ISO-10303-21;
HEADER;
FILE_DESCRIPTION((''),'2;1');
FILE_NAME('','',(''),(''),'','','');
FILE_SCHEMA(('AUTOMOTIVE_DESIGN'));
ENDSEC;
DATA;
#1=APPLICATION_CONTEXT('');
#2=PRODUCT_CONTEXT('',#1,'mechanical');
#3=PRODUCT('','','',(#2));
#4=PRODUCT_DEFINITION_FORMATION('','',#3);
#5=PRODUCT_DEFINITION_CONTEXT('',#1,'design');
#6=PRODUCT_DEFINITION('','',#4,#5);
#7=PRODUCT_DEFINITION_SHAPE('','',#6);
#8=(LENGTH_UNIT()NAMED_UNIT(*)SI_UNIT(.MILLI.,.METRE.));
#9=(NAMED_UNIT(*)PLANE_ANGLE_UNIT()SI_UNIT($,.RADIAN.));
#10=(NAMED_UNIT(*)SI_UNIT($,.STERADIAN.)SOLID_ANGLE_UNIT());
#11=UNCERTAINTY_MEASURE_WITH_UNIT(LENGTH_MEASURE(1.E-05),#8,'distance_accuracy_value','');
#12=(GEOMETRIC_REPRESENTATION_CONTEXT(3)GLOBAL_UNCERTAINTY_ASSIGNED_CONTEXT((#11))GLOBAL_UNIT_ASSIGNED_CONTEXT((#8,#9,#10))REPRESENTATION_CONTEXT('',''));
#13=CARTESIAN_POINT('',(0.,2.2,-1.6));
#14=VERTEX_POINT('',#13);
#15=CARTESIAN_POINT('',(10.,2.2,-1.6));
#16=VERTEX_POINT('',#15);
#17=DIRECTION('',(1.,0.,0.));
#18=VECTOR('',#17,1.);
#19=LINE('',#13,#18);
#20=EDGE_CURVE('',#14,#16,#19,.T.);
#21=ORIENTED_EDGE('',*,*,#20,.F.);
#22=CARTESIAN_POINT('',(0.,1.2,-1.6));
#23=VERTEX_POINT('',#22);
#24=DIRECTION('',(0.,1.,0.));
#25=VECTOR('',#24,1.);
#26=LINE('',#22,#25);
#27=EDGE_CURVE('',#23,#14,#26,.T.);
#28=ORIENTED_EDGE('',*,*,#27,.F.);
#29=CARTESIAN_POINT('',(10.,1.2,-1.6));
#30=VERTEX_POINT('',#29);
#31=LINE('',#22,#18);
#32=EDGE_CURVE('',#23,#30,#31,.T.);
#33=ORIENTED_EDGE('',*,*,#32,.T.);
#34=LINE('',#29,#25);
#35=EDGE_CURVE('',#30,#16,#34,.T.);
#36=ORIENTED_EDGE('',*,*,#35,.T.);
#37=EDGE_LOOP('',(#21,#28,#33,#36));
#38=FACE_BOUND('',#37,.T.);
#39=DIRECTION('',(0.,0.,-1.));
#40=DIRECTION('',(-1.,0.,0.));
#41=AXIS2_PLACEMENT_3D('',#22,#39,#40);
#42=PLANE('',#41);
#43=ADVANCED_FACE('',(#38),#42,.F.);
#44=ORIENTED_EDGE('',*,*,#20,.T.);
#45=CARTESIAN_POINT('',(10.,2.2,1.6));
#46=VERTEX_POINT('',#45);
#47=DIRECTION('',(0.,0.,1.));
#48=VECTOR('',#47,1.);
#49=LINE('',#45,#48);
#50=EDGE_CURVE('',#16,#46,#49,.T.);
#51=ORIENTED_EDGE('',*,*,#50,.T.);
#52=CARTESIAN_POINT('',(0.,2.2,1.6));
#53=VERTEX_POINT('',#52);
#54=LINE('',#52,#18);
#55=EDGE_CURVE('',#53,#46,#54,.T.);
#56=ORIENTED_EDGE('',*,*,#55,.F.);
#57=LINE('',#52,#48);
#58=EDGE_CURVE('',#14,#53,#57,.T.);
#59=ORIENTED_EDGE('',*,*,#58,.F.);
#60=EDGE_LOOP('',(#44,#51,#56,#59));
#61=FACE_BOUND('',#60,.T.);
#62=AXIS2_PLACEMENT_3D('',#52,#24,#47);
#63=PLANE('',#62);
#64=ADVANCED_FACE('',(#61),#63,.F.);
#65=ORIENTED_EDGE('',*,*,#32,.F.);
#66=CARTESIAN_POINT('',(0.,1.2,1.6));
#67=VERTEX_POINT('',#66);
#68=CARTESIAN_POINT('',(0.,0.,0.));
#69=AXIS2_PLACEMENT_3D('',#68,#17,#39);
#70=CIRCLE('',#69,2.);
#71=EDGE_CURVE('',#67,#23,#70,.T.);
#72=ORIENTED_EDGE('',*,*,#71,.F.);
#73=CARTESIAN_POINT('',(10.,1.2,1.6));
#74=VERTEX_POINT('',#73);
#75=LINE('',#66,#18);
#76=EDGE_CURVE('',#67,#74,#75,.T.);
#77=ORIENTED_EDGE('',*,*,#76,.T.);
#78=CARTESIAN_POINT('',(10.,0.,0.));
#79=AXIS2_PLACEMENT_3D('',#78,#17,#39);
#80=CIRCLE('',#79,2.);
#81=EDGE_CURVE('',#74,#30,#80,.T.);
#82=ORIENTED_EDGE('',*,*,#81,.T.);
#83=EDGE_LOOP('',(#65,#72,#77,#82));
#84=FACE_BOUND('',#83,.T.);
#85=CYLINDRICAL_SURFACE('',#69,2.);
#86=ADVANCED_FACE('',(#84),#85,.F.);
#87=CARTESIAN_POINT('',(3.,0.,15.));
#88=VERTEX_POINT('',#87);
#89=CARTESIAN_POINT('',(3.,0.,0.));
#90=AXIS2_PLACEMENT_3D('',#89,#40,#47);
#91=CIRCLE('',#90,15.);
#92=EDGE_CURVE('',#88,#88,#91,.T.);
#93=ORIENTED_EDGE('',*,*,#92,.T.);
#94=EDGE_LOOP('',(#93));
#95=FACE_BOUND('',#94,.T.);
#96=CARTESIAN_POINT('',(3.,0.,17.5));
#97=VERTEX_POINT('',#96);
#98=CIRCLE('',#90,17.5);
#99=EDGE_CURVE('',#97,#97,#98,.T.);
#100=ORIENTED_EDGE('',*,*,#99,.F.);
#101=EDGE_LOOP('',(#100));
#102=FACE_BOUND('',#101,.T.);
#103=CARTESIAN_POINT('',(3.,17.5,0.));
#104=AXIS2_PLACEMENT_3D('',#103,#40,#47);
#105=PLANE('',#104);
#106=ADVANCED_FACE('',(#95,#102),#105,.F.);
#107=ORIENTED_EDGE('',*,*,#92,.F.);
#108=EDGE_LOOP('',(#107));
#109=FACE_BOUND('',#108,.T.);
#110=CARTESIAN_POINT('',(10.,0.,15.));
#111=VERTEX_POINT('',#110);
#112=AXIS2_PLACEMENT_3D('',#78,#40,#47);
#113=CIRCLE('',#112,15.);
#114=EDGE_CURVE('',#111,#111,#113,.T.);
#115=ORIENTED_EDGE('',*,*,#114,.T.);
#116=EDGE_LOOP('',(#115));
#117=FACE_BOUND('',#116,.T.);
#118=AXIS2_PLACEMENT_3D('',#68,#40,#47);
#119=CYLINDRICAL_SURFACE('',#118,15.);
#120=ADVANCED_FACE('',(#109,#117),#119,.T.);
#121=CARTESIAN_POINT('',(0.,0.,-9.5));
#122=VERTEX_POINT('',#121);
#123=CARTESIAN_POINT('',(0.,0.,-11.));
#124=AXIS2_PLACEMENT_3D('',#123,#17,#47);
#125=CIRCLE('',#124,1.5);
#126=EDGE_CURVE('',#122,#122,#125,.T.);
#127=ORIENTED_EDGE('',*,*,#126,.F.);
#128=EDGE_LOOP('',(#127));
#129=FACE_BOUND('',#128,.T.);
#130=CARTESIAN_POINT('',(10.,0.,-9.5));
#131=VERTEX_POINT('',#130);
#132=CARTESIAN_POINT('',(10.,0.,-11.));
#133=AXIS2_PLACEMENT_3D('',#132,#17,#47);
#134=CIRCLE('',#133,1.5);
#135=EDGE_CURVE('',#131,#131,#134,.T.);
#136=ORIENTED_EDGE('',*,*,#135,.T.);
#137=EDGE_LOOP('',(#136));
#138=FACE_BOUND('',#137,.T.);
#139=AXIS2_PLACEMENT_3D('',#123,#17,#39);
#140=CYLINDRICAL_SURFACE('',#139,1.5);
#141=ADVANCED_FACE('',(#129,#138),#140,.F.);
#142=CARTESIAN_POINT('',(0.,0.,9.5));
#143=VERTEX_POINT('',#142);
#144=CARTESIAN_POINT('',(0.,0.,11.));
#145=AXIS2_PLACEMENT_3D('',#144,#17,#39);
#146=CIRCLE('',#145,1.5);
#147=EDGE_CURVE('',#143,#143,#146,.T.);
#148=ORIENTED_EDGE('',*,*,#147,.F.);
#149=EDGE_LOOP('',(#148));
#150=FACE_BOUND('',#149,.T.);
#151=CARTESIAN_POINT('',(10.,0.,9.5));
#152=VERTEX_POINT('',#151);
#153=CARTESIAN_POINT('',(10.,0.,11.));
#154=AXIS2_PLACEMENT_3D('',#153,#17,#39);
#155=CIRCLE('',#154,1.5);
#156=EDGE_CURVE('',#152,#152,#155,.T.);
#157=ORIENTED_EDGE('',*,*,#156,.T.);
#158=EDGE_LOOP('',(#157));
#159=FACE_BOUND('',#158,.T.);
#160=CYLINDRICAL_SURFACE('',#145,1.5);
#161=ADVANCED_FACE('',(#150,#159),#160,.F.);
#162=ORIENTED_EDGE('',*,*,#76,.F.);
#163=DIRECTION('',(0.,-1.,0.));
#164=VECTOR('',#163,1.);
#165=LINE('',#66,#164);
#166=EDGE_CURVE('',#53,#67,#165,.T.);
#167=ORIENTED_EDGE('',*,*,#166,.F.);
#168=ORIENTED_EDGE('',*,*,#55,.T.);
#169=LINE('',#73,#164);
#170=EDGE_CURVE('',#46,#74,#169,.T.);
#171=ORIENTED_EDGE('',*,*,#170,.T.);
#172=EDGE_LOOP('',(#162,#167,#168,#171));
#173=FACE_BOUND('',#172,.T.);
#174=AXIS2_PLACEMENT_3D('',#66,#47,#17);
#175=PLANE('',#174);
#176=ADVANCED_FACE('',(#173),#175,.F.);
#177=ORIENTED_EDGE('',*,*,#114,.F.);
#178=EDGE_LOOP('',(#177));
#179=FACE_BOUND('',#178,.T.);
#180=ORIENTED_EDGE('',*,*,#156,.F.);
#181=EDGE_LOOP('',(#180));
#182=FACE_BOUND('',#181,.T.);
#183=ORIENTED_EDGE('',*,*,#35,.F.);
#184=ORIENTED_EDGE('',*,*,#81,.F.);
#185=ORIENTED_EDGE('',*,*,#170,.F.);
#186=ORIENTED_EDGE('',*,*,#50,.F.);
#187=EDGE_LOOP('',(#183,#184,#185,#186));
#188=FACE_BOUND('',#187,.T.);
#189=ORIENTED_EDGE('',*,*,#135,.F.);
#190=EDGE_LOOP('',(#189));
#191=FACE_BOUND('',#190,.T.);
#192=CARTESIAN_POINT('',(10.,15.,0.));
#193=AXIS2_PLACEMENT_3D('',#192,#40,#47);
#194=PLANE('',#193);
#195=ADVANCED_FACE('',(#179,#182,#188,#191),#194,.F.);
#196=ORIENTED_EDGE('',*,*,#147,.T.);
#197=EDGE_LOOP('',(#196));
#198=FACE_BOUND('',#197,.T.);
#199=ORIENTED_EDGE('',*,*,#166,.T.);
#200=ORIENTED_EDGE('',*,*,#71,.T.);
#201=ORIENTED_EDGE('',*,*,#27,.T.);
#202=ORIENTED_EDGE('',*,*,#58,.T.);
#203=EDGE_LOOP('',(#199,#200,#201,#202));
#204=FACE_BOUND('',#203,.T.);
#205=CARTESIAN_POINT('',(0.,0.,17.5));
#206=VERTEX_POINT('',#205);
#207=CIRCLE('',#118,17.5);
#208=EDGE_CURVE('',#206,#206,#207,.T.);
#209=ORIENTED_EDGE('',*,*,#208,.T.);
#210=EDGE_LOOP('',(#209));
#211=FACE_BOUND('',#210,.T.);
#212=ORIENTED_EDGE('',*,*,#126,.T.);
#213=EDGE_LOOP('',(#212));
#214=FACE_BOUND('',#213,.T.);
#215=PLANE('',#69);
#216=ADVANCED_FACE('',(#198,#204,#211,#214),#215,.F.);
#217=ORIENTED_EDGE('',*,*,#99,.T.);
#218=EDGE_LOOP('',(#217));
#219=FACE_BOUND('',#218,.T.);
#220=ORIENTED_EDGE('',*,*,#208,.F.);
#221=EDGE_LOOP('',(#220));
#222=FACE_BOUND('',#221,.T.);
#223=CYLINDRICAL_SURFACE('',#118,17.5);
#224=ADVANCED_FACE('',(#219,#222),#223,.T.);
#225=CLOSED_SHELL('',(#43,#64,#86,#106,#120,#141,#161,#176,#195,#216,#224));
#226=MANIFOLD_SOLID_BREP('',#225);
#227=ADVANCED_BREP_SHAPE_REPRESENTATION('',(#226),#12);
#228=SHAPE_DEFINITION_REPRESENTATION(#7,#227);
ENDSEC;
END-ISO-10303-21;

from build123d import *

# Parameters (mm, degrees)
SKETCH2_R          = 1.5
CUT_EXTRUDE1_DEPTH = 27.69269563


with BuildPart() as part:
    # Sketch1 → Revolve1 (revolve)
    with BuildSketch(Plane.XY, mode=Mode.PRIVATE) as revolve1_sk:
        Polygon((0, 0), (0, 17.5), (3, 17.5), (3, 15), (10, 15), (10, 0), align=None)
    revolve(revolve1_sk.sketch.rotate(Axis((0, 0, 0), (1, 0, 0)), 90), axis=Axis((0, 0, 0), (1, 0, 0)))

    # Sketch2 → Cut-Extrude1 (cut, through all)
    with BuildSketch(Plane(origin=(10, 0, 0), x_dir=(0, 0, -1), z_dir=(1, 0, 0))):
        with Locations((-11, 0)):
            Circle(SKETCH2_R)
        with Locations(Location((11, 0, 0), (0, 0, 180))):
            Circle(SKETCH2_R)
        with BuildLine():
            Line((-1.6, 1.2), (-1.6, 2.2))
            Line((-1.6, 2.2), (1.6, 2.2))
            Line((1.6, 2.2), (1.6, 1.2))
            ThreePointArc((1.6, 1.2), (0, -2), (-1.6, 1.2))
        make_face()
    extrude(amount=-CUT_EXTRUDE1_DEPTH, mode=Mode.SUBTRACT)


solid = part.part
